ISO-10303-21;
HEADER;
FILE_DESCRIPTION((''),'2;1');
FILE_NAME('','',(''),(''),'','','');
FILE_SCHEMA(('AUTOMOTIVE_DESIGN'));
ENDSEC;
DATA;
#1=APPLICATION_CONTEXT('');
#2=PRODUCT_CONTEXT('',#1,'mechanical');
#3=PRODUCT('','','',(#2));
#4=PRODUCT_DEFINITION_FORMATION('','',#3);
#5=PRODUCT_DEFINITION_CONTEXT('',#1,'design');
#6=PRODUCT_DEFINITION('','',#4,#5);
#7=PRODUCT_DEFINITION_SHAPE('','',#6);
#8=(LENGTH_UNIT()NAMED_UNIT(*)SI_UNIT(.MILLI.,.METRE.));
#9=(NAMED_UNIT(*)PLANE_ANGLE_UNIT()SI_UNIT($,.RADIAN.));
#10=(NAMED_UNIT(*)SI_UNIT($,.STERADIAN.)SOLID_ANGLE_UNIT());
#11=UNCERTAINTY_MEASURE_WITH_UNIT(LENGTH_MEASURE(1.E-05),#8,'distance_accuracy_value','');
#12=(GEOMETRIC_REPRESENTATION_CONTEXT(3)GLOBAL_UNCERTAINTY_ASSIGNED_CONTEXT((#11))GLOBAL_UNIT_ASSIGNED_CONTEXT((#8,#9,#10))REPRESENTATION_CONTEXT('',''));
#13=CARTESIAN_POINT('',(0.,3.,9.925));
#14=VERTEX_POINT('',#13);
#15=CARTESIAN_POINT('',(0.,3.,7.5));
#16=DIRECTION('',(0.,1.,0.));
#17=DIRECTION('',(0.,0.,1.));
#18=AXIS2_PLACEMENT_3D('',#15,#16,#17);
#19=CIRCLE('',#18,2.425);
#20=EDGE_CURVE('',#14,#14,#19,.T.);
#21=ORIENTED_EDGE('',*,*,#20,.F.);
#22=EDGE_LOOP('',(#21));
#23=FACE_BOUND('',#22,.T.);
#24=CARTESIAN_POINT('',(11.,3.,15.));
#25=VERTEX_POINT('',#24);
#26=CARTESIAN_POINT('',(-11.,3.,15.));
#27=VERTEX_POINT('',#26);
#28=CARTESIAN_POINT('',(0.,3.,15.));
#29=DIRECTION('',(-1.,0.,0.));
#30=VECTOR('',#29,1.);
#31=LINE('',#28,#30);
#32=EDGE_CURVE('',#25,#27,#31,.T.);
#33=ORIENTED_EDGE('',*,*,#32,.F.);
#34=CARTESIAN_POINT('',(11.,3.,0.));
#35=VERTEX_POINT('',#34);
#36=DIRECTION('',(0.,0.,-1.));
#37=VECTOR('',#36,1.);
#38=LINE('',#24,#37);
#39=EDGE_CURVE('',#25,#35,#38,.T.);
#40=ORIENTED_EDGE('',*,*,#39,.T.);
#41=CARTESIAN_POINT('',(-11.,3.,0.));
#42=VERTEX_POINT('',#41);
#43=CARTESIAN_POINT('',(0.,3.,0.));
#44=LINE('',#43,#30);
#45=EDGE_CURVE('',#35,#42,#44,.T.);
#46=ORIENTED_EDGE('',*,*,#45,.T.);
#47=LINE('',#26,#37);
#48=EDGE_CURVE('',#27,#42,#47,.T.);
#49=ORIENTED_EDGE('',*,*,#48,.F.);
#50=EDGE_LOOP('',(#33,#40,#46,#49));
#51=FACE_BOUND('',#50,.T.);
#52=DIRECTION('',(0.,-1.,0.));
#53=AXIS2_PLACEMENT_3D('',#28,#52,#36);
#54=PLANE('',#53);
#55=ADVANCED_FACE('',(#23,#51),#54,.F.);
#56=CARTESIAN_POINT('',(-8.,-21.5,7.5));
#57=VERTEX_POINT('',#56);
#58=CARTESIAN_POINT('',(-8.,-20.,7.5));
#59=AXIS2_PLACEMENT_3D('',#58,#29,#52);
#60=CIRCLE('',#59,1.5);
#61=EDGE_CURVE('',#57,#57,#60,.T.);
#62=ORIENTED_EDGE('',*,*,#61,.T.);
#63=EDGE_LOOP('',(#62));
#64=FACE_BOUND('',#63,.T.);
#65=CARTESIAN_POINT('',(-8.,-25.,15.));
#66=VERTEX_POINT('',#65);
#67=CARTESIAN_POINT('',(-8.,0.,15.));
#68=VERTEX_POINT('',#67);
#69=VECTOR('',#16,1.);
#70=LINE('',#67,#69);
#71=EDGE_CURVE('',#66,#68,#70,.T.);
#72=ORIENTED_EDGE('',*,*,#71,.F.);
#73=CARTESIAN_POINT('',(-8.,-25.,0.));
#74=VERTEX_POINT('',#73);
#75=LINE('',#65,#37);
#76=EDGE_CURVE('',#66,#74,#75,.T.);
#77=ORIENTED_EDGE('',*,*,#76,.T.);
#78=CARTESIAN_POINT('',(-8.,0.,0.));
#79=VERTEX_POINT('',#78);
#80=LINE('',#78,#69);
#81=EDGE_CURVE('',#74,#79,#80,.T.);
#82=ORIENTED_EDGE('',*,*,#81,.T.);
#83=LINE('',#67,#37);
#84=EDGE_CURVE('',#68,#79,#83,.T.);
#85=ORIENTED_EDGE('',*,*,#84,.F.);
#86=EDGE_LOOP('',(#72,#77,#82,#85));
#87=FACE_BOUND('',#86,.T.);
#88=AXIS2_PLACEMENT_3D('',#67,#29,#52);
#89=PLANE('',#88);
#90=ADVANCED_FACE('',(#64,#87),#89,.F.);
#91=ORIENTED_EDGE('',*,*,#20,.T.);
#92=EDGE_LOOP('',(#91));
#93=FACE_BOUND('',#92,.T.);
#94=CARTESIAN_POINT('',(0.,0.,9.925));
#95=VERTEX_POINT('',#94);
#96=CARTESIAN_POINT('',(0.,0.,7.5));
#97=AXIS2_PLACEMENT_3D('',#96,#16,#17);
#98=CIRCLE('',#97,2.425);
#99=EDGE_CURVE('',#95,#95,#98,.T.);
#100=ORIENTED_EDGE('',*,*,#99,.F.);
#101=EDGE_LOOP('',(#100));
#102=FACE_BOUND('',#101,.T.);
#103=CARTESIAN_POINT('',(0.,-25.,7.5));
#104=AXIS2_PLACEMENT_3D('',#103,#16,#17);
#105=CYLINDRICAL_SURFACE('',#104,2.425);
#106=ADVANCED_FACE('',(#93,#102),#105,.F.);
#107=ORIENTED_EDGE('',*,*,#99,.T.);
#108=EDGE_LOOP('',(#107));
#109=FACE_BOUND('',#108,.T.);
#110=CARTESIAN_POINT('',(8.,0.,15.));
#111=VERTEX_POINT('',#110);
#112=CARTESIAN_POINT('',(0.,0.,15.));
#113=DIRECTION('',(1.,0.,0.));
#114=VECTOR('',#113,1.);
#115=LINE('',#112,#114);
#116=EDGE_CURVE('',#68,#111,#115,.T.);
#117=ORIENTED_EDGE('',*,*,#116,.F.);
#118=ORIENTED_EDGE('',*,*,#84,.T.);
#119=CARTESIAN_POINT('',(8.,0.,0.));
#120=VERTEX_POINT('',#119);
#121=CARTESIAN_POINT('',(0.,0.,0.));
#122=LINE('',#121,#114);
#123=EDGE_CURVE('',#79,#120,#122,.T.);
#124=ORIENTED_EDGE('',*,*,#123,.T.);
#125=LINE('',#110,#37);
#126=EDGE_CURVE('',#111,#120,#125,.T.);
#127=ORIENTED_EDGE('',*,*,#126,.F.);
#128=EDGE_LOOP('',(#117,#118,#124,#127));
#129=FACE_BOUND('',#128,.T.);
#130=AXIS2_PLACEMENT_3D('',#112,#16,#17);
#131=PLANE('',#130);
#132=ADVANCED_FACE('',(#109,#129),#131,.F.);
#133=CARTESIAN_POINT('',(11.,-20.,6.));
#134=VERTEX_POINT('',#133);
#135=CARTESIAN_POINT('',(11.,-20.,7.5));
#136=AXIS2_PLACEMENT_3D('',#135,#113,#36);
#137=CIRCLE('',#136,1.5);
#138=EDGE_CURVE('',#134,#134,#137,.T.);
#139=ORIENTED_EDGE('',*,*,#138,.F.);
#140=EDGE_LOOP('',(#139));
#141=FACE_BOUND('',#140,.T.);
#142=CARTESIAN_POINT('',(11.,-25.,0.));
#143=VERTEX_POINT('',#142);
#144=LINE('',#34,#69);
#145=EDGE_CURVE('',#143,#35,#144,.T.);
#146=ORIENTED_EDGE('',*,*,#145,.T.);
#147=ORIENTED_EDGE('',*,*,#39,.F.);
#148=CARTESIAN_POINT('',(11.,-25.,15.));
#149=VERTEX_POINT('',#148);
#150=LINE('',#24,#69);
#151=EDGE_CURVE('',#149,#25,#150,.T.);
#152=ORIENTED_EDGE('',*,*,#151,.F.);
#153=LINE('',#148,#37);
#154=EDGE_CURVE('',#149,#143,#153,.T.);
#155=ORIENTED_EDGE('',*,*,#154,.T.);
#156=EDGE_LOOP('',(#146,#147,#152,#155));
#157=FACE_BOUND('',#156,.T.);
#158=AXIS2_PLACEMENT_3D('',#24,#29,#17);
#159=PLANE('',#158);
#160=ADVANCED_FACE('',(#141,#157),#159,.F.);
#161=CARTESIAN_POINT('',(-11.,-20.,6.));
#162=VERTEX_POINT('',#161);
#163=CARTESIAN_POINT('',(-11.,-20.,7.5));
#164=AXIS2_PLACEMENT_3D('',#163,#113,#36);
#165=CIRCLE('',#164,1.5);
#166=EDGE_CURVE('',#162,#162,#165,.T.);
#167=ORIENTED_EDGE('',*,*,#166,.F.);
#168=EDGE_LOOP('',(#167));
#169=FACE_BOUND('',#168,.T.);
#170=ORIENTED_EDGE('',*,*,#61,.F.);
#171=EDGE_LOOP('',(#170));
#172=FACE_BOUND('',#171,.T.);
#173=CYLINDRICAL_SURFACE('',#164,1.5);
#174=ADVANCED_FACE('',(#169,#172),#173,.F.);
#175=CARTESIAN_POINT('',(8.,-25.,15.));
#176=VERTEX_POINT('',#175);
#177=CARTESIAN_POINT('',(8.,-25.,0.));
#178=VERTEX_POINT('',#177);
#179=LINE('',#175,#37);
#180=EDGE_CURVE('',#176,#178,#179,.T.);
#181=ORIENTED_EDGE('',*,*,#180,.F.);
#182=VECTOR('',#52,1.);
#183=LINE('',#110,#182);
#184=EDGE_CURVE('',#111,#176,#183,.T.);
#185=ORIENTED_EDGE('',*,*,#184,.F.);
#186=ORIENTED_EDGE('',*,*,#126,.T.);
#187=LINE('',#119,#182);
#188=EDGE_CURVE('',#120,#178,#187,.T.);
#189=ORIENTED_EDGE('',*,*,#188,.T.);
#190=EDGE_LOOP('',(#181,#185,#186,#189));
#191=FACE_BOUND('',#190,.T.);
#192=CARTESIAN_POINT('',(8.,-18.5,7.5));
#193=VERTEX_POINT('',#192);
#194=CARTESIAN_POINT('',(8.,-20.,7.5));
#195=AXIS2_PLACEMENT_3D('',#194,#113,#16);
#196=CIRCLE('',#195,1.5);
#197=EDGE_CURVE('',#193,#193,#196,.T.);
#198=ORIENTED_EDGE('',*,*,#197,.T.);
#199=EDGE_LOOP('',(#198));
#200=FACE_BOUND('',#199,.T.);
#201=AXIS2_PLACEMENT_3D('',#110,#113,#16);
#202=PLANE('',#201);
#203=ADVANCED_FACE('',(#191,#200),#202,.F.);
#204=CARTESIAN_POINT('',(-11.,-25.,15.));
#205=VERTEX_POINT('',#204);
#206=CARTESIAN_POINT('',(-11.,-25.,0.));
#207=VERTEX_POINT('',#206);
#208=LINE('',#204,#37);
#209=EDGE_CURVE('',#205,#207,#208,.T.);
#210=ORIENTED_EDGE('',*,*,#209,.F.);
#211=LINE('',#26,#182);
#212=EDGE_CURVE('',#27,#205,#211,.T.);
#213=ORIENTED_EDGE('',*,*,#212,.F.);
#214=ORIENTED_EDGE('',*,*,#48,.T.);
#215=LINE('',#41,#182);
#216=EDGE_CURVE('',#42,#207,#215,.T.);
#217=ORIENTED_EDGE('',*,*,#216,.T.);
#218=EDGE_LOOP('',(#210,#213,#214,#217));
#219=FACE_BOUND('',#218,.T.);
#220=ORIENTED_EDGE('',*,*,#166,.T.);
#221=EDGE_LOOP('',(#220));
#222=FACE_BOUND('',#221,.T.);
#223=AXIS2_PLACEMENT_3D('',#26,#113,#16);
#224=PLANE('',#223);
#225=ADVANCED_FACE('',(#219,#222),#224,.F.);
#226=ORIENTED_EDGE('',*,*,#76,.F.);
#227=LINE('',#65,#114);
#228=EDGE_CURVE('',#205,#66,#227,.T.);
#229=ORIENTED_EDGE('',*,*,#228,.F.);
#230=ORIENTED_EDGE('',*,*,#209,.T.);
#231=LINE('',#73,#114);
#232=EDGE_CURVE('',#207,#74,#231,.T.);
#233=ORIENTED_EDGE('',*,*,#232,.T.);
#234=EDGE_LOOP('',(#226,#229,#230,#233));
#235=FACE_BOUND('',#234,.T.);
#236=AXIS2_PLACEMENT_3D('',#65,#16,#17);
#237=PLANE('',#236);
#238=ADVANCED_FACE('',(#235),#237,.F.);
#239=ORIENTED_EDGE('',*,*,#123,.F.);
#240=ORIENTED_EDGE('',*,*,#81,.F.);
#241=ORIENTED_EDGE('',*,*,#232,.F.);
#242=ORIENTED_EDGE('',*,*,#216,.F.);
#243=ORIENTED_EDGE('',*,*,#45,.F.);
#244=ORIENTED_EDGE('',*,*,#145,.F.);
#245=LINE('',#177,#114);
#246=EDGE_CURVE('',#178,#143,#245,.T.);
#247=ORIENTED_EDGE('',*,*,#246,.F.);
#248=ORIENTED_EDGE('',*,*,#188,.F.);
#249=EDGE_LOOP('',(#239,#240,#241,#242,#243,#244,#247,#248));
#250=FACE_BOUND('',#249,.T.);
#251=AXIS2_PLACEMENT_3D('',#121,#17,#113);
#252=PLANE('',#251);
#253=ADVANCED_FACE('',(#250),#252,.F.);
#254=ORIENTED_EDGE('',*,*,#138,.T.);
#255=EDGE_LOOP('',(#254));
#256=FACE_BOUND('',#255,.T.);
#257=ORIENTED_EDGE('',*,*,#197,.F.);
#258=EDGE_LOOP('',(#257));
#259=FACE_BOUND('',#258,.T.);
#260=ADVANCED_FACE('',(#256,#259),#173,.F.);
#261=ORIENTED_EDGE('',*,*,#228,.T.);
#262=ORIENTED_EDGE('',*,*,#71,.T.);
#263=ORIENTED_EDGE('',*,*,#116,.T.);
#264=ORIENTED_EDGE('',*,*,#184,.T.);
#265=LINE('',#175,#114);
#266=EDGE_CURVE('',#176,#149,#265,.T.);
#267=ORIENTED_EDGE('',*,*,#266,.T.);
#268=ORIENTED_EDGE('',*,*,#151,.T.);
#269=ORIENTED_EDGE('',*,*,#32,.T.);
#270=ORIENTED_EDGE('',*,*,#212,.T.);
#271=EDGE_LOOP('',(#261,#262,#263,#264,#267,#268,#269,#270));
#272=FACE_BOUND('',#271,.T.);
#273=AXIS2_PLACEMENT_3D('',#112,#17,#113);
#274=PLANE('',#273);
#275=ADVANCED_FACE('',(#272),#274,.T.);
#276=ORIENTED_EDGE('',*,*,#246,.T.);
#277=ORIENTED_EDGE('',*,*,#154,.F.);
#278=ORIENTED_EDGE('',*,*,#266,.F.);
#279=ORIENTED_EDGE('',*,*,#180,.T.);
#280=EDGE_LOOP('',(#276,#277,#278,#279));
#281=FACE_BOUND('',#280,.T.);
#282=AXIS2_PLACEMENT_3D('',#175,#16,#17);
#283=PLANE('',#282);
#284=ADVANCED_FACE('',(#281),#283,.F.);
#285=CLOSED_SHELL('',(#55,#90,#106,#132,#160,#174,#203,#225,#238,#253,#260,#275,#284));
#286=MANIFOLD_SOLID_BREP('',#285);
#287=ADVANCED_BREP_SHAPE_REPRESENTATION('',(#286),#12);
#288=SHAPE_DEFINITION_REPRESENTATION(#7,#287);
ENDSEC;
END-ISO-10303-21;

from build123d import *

# Parameters (mm, degrees)
EXTRUDE_1_DEPTH     = 15
SKETCH_2_R          = 1.5
CUT_EXTRUDE_1_DEPTH = 37.523964735
SKETCH_3_R          = 2.425
CUT_EXTRUDE_2_DEPTH = 34.615472628


with BuildPart() as part:
    # 草图1 → 凸台-拉伸1 (new body)
    with BuildSketch(Plane.XY):
        Polygon((0, 0), (8, 0), (8, -25), (11, -25), (11, 3), (0, 3), (-11, 3), (-11, -25), (-8, -25), (-8, 0), align=None)
    extrude(amount=EXTRUDE_1_DEPTH)

    # 草图2 → 切除-拉伸1 (cut, through all)
    with BuildSketch(Plane(origin=(11, 0, 0), x_dir=(0, 0, -1), z_dir=(1, 0, 0))):
        with Locations((-7.5, -20)):
            Circle(SKETCH_2_R)
    extrude(amount=-CUT_EXTRUDE_1_DEPTH, mode=Mode.SUBTRACT)

    # 草图3 → 切除-拉伸2 (cut, through all)
    with BuildSketch(Plane(origin=(0, 3, 0), x_dir=(1, 0, 0), z_dir=(0, 1, 0))):
        with Locations(Location((0, -7.5, 0), (0, 0, 270))):
            Circle(SKETCH_3_R)
    extrude(amount=-CUT_EXTRUDE_2_DEPTH, mode=Mode.SUBTRACT)


solid = part.part
